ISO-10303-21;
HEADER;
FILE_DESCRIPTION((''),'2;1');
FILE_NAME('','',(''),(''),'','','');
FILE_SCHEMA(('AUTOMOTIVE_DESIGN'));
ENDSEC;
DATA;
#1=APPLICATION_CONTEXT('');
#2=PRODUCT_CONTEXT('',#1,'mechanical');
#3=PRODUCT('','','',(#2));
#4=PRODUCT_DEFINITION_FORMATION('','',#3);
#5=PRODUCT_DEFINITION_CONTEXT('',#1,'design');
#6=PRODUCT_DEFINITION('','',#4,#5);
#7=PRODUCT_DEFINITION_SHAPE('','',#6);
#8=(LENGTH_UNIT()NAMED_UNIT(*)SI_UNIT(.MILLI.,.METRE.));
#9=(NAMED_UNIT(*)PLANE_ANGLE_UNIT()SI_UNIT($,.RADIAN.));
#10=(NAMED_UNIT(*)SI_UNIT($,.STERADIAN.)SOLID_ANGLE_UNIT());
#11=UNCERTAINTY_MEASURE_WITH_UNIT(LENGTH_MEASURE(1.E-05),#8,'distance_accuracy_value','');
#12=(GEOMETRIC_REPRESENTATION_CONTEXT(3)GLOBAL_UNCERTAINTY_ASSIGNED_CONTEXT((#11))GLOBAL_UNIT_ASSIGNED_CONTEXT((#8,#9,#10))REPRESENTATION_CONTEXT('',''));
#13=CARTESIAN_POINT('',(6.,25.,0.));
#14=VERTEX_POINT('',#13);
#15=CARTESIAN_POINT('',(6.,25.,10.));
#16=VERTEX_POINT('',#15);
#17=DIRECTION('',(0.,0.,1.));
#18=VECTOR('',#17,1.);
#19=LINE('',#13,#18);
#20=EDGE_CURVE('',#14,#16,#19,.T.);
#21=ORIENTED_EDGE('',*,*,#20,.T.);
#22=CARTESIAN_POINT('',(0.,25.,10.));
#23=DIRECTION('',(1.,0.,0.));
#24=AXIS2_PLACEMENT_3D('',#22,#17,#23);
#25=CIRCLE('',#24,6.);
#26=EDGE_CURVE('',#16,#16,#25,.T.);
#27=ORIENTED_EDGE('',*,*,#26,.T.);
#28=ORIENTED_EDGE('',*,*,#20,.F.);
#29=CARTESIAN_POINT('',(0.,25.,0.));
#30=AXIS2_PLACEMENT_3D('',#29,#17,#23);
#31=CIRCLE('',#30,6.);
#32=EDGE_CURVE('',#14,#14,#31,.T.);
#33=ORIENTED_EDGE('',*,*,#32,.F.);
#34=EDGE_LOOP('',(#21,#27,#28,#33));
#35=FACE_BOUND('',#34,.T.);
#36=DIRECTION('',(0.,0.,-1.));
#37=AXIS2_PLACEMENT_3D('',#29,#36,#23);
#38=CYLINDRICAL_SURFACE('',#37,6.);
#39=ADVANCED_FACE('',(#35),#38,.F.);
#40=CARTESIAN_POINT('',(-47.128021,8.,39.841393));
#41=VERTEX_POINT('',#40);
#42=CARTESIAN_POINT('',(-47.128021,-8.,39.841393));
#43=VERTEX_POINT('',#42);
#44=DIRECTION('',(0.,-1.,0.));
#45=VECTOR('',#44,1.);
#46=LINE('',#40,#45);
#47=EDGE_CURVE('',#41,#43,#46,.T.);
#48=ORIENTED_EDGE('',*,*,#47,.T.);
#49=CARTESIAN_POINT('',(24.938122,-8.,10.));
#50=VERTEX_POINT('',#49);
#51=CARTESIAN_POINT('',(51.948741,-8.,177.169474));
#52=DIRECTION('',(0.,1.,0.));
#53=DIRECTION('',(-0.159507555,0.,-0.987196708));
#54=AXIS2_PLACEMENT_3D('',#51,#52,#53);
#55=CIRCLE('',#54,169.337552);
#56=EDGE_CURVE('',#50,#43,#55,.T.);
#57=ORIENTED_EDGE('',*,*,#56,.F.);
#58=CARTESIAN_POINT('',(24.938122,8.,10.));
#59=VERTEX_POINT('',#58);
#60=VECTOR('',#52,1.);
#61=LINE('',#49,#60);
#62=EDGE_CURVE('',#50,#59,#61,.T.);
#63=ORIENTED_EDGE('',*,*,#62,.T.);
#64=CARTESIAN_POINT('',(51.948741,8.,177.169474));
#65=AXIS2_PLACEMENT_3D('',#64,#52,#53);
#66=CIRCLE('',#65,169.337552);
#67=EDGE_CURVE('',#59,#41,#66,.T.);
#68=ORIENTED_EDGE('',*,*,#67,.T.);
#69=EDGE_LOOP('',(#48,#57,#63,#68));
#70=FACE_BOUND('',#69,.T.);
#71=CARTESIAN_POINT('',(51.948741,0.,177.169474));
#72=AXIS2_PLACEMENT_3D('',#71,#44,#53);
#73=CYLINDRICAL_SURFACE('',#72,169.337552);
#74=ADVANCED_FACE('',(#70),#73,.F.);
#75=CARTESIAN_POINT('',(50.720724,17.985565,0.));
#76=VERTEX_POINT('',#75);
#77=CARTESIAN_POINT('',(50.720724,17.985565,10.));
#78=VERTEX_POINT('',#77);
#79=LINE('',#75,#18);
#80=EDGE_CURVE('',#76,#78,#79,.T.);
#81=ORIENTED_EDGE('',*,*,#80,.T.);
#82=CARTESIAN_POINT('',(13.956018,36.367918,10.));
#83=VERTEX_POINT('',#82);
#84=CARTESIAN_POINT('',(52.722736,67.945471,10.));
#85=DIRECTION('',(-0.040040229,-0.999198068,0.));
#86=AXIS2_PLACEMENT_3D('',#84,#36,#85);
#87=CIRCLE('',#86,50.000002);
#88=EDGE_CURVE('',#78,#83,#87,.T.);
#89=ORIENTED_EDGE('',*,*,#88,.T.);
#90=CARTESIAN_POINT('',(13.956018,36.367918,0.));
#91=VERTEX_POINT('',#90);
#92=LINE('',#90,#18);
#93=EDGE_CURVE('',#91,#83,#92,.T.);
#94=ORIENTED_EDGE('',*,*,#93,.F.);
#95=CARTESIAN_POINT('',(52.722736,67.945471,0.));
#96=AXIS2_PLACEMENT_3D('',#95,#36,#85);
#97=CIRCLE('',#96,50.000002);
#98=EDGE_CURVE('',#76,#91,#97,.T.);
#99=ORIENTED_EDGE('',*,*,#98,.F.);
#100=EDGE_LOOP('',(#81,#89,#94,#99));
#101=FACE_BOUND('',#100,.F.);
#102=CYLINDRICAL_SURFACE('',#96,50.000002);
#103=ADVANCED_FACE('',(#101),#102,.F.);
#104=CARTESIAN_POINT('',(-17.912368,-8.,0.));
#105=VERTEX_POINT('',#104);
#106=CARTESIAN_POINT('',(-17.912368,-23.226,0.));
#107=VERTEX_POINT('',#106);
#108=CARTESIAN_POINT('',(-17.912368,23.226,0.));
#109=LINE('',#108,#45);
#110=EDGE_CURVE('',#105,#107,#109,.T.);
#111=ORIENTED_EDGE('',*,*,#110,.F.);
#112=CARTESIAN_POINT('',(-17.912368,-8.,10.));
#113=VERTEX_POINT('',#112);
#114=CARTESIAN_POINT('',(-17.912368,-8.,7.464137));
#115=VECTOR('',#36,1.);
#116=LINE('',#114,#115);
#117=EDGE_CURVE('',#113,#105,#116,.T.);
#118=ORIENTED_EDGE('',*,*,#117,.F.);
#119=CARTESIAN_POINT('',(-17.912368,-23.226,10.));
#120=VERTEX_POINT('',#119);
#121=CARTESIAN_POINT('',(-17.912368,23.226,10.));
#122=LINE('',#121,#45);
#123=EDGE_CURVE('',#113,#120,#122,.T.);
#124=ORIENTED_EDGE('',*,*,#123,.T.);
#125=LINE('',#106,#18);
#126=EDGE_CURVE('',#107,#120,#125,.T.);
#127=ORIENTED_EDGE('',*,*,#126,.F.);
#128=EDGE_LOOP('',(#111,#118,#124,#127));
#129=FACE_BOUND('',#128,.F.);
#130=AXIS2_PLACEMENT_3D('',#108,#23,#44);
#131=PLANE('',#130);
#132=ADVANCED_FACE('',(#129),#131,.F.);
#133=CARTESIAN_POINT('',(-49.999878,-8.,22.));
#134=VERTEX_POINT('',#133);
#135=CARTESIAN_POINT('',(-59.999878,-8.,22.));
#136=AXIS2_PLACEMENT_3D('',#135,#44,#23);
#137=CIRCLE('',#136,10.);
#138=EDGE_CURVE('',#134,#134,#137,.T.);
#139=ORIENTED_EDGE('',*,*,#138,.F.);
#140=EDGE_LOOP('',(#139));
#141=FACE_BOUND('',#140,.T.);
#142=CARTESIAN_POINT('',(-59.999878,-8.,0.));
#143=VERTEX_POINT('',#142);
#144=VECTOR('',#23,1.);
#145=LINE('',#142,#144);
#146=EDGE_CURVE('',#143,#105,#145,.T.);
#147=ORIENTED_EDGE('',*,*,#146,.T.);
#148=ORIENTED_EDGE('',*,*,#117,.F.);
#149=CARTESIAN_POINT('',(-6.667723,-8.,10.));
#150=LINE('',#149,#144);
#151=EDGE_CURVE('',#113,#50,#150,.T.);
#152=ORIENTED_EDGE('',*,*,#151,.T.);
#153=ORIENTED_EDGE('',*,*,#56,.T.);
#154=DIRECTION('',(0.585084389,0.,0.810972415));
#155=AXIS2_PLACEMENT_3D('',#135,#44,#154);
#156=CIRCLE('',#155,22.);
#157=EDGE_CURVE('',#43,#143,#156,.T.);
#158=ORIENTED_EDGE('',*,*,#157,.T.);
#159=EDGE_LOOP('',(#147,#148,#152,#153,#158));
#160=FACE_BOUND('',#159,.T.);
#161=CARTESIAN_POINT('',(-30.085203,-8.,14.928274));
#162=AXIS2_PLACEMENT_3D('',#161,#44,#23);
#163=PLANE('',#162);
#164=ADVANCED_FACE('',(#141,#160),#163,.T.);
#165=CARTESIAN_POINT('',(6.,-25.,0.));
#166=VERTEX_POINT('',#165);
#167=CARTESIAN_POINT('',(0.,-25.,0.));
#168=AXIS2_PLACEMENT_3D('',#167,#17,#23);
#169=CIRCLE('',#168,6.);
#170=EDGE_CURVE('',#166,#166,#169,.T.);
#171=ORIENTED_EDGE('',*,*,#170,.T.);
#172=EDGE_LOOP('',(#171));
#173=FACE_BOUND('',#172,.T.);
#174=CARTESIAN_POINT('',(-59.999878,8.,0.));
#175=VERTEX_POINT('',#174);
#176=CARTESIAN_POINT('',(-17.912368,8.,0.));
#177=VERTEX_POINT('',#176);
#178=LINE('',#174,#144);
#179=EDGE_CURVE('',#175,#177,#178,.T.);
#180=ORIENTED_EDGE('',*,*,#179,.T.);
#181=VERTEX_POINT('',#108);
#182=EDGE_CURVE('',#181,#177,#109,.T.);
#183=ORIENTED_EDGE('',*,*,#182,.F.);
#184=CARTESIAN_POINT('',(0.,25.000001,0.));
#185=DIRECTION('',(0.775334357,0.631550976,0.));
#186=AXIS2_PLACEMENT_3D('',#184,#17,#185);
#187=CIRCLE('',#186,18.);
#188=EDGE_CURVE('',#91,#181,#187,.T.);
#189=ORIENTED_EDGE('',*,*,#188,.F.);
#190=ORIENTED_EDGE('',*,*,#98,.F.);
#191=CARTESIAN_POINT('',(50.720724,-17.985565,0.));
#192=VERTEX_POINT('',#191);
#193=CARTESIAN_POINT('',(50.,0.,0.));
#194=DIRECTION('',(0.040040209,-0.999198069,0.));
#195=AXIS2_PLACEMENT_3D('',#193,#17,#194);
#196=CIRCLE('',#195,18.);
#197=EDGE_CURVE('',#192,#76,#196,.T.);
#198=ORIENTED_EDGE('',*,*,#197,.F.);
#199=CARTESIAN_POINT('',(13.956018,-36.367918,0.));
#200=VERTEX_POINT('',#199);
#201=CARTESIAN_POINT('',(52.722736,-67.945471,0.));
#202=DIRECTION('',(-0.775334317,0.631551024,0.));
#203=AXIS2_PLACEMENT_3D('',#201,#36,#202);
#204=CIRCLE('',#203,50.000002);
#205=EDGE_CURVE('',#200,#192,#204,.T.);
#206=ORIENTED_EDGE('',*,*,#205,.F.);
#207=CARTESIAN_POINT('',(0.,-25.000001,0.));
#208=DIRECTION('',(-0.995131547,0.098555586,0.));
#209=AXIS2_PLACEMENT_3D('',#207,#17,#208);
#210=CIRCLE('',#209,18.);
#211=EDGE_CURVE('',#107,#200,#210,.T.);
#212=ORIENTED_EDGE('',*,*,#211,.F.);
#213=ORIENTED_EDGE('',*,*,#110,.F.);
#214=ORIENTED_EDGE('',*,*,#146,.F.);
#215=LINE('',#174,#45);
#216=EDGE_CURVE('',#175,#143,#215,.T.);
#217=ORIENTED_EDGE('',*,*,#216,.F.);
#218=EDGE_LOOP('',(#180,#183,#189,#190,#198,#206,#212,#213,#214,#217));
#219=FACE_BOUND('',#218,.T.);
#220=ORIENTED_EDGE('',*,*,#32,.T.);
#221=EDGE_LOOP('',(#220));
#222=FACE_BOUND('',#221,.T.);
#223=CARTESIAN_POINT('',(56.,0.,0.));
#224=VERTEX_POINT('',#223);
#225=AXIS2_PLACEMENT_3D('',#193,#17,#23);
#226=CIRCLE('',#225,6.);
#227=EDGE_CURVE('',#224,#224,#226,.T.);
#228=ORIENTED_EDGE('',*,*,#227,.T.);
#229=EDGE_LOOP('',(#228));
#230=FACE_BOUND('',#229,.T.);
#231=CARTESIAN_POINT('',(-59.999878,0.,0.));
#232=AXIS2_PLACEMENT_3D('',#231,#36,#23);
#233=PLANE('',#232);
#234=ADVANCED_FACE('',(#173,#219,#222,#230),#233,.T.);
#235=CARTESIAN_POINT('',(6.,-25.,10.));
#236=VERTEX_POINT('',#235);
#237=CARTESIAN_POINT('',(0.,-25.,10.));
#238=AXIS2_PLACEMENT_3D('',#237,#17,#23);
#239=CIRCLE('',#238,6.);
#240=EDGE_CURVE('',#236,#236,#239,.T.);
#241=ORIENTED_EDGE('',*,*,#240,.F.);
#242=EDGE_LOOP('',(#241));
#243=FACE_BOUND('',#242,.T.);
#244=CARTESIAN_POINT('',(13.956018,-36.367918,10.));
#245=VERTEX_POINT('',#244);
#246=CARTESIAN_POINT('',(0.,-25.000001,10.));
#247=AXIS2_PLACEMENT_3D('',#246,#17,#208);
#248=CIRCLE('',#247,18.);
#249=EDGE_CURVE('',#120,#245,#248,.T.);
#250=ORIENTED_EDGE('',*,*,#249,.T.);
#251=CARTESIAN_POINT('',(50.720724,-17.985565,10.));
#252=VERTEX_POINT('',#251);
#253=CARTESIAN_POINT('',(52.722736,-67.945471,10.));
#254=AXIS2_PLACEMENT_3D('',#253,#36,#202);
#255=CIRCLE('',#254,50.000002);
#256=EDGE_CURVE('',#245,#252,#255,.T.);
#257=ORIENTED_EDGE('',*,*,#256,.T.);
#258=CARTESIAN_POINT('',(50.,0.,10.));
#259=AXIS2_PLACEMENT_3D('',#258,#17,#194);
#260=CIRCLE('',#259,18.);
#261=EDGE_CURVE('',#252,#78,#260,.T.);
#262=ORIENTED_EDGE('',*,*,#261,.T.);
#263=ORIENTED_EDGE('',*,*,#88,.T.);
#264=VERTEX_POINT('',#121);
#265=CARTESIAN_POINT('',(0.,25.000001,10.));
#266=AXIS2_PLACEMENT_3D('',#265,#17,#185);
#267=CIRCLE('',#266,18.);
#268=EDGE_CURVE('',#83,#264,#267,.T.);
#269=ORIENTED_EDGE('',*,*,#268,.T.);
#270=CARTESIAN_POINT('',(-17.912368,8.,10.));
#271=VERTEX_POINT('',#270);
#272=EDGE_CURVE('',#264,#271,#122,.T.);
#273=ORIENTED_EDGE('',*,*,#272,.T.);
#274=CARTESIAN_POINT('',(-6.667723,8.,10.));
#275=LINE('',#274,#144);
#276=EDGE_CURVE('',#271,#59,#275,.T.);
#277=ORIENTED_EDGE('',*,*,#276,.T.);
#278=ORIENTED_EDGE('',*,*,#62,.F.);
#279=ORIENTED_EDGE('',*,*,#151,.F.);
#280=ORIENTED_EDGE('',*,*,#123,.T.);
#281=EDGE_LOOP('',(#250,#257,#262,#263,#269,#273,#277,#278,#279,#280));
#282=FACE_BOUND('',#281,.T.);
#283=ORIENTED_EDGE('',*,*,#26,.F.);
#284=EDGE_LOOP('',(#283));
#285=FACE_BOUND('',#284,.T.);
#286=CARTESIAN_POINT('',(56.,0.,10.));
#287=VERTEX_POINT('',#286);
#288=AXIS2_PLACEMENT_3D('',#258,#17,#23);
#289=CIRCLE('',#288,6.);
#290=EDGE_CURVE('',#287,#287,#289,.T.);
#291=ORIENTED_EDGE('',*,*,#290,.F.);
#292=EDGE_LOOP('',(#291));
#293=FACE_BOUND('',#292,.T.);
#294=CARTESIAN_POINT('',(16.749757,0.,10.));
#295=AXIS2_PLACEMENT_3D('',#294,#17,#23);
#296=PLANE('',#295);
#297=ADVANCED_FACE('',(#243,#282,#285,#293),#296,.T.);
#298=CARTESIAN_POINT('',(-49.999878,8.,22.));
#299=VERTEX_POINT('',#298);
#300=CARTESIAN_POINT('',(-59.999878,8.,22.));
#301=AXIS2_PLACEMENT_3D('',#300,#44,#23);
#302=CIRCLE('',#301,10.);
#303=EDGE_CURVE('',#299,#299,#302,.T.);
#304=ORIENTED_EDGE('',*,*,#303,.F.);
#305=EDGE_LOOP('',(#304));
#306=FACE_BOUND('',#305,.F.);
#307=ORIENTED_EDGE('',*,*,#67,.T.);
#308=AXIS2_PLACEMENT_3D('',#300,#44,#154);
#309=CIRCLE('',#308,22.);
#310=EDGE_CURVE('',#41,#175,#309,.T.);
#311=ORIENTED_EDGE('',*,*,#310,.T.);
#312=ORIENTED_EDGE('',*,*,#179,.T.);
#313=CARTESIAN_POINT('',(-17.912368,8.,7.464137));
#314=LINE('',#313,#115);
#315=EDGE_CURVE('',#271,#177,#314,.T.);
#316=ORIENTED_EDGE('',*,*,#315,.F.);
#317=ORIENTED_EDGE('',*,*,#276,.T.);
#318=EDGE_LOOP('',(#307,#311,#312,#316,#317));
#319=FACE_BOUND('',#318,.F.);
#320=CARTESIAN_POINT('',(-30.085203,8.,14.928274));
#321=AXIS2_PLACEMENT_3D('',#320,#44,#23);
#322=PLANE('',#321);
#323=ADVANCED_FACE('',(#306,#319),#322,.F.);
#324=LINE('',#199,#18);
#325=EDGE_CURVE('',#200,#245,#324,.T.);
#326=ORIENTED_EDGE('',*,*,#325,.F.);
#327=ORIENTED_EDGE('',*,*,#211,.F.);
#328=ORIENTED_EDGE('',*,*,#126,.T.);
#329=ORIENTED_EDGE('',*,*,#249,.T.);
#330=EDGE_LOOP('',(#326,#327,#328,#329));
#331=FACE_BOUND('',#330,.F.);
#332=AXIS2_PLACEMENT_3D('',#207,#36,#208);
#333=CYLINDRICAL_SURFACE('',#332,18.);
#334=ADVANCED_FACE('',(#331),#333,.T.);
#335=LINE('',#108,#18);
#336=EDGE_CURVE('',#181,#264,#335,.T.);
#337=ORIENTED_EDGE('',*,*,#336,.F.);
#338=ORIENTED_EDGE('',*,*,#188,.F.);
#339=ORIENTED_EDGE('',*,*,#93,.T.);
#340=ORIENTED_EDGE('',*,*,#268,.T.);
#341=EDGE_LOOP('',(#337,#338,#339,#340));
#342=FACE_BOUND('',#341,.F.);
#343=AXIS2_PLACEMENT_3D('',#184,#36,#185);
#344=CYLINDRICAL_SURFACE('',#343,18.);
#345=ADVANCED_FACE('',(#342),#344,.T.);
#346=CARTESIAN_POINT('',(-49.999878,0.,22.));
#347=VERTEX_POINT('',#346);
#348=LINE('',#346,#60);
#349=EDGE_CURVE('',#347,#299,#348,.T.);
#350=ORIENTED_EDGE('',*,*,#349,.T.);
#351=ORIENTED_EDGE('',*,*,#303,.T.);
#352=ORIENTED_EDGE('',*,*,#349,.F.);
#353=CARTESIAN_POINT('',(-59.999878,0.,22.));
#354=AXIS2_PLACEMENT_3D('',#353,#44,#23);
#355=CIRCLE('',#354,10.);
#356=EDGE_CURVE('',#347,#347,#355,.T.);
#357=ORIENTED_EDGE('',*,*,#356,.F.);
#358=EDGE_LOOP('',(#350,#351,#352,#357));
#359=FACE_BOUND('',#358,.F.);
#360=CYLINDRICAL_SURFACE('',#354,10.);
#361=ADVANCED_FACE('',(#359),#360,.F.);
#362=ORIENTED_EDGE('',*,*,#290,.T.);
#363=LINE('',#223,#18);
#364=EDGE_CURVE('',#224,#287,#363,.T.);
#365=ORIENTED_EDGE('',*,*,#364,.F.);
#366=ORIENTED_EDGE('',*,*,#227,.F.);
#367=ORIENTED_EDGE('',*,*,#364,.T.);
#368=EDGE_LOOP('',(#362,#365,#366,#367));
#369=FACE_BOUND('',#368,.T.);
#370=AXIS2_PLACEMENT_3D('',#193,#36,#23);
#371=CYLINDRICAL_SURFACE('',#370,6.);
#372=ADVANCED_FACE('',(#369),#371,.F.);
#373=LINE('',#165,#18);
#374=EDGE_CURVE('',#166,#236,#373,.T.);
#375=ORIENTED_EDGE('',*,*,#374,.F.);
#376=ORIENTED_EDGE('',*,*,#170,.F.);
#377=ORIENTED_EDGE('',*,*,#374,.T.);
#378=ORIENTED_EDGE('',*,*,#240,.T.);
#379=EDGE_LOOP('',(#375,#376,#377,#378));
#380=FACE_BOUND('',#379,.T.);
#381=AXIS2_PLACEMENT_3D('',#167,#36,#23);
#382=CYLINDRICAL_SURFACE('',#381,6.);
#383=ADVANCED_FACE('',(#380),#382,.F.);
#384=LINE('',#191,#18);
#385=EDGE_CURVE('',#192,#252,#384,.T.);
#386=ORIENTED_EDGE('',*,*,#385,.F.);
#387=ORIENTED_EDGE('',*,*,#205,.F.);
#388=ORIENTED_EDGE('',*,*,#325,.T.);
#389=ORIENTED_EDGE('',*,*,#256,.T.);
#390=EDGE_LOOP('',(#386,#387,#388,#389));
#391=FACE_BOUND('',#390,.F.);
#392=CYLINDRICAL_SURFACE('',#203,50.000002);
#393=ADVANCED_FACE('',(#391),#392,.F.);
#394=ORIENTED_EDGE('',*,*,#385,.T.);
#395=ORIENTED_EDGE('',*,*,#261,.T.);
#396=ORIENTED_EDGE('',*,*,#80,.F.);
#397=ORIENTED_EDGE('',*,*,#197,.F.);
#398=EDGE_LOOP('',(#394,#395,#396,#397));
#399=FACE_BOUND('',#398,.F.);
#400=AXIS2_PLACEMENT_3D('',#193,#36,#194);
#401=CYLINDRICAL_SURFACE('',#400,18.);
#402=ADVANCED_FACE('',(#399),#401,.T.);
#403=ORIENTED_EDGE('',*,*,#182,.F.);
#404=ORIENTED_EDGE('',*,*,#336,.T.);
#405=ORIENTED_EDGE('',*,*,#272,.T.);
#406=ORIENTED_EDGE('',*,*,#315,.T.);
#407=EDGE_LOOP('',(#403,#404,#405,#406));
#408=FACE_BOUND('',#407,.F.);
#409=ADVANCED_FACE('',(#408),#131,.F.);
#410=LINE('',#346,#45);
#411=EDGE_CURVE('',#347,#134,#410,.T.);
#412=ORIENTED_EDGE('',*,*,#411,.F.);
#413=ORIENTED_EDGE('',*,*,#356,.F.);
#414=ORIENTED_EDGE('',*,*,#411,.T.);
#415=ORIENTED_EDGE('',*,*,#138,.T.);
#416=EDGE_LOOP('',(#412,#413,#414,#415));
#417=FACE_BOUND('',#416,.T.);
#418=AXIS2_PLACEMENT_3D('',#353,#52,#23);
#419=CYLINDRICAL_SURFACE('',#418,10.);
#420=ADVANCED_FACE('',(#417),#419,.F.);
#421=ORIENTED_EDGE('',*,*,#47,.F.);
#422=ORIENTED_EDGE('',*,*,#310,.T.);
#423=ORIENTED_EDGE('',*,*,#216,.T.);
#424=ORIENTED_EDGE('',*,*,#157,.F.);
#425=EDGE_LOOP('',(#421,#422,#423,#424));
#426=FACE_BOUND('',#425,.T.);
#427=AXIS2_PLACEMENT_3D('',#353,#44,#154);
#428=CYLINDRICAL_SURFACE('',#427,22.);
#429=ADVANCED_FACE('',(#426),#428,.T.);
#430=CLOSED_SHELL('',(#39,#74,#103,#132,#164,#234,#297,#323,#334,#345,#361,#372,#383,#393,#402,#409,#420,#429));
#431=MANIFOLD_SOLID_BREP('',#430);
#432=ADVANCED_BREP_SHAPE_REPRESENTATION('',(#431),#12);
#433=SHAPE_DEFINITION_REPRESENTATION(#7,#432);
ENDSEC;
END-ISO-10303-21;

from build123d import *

# Parameters (mm, degrees)
F0_R          = 6
F1_DEPTH      = 10
F2_R          = 10
F3_DEPTH      = 8
F3_DEPTH_BACK = 8


with BuildPart() as f1:
    # F0 (on Top) → F1 (new body)
    with BuildSketch(Plane.XY):
        with BuildLine():
            ThreePointArc((50.720724, 17.985565), (30.362055, 23.224109), (13.956018, 36.367918))
            ThreePointArc((13.956018, 36.367918), (-6.862265, 41.640593), (-17.912368, 23.226))
            Line((-17.912368, 23.226), (-17.912368, -23.226))
            ThreePointArc((-17.912368, -23.226), (-6.862265, -41.640593), (13.956018, -36.367918))
            ThreePointArc((13.956018, -36.367918), (30.362055, -23.224109), (50.720724, -17.985565))
            ThreePointArc((50.720724, -17.985565), (68, 0), (50.720724, 17.985565))
        make_face()
        with Locations((0, -25)):
            Circle(F0_R, mode=Mode.SUBTRACT)
        with Locations((0, 25)):
            Circle(F0_R, mode=Mode.SUBTRACT)
        with Locations((50, 0)):
            Circle(F0_R, mode=Mode.SUBTRACT)
    extrude(amount=F1_DEPTH)

    # F2 (on Front) → F3 (join, two sides)
    with BuildSketch(Plane.XZ) as f3_sk:
        with BuildLine():
            ThreePointArc((24.938122, 10), (-12.836551, 20.714776), (-47.128021, 39.841393))
            ThreePointArc((-47.128021, 39.841393), (-80.934426, 28.763481), (-59.999878, 0))
            Line((-59.999878, 0), (24.938122, 0))
            Line((24.938122, 0), (24.938122, 10))
        make_face()
        with Locations((-59.999878, 22)):
            Circle(F2_R, mode=Mode.SUBTRACT)
    extrude(amount=F3_DEPTH)
    extrude(f3_sk.sketch, amount=-F3_DEPTH_BACK)


solid = f1.part
